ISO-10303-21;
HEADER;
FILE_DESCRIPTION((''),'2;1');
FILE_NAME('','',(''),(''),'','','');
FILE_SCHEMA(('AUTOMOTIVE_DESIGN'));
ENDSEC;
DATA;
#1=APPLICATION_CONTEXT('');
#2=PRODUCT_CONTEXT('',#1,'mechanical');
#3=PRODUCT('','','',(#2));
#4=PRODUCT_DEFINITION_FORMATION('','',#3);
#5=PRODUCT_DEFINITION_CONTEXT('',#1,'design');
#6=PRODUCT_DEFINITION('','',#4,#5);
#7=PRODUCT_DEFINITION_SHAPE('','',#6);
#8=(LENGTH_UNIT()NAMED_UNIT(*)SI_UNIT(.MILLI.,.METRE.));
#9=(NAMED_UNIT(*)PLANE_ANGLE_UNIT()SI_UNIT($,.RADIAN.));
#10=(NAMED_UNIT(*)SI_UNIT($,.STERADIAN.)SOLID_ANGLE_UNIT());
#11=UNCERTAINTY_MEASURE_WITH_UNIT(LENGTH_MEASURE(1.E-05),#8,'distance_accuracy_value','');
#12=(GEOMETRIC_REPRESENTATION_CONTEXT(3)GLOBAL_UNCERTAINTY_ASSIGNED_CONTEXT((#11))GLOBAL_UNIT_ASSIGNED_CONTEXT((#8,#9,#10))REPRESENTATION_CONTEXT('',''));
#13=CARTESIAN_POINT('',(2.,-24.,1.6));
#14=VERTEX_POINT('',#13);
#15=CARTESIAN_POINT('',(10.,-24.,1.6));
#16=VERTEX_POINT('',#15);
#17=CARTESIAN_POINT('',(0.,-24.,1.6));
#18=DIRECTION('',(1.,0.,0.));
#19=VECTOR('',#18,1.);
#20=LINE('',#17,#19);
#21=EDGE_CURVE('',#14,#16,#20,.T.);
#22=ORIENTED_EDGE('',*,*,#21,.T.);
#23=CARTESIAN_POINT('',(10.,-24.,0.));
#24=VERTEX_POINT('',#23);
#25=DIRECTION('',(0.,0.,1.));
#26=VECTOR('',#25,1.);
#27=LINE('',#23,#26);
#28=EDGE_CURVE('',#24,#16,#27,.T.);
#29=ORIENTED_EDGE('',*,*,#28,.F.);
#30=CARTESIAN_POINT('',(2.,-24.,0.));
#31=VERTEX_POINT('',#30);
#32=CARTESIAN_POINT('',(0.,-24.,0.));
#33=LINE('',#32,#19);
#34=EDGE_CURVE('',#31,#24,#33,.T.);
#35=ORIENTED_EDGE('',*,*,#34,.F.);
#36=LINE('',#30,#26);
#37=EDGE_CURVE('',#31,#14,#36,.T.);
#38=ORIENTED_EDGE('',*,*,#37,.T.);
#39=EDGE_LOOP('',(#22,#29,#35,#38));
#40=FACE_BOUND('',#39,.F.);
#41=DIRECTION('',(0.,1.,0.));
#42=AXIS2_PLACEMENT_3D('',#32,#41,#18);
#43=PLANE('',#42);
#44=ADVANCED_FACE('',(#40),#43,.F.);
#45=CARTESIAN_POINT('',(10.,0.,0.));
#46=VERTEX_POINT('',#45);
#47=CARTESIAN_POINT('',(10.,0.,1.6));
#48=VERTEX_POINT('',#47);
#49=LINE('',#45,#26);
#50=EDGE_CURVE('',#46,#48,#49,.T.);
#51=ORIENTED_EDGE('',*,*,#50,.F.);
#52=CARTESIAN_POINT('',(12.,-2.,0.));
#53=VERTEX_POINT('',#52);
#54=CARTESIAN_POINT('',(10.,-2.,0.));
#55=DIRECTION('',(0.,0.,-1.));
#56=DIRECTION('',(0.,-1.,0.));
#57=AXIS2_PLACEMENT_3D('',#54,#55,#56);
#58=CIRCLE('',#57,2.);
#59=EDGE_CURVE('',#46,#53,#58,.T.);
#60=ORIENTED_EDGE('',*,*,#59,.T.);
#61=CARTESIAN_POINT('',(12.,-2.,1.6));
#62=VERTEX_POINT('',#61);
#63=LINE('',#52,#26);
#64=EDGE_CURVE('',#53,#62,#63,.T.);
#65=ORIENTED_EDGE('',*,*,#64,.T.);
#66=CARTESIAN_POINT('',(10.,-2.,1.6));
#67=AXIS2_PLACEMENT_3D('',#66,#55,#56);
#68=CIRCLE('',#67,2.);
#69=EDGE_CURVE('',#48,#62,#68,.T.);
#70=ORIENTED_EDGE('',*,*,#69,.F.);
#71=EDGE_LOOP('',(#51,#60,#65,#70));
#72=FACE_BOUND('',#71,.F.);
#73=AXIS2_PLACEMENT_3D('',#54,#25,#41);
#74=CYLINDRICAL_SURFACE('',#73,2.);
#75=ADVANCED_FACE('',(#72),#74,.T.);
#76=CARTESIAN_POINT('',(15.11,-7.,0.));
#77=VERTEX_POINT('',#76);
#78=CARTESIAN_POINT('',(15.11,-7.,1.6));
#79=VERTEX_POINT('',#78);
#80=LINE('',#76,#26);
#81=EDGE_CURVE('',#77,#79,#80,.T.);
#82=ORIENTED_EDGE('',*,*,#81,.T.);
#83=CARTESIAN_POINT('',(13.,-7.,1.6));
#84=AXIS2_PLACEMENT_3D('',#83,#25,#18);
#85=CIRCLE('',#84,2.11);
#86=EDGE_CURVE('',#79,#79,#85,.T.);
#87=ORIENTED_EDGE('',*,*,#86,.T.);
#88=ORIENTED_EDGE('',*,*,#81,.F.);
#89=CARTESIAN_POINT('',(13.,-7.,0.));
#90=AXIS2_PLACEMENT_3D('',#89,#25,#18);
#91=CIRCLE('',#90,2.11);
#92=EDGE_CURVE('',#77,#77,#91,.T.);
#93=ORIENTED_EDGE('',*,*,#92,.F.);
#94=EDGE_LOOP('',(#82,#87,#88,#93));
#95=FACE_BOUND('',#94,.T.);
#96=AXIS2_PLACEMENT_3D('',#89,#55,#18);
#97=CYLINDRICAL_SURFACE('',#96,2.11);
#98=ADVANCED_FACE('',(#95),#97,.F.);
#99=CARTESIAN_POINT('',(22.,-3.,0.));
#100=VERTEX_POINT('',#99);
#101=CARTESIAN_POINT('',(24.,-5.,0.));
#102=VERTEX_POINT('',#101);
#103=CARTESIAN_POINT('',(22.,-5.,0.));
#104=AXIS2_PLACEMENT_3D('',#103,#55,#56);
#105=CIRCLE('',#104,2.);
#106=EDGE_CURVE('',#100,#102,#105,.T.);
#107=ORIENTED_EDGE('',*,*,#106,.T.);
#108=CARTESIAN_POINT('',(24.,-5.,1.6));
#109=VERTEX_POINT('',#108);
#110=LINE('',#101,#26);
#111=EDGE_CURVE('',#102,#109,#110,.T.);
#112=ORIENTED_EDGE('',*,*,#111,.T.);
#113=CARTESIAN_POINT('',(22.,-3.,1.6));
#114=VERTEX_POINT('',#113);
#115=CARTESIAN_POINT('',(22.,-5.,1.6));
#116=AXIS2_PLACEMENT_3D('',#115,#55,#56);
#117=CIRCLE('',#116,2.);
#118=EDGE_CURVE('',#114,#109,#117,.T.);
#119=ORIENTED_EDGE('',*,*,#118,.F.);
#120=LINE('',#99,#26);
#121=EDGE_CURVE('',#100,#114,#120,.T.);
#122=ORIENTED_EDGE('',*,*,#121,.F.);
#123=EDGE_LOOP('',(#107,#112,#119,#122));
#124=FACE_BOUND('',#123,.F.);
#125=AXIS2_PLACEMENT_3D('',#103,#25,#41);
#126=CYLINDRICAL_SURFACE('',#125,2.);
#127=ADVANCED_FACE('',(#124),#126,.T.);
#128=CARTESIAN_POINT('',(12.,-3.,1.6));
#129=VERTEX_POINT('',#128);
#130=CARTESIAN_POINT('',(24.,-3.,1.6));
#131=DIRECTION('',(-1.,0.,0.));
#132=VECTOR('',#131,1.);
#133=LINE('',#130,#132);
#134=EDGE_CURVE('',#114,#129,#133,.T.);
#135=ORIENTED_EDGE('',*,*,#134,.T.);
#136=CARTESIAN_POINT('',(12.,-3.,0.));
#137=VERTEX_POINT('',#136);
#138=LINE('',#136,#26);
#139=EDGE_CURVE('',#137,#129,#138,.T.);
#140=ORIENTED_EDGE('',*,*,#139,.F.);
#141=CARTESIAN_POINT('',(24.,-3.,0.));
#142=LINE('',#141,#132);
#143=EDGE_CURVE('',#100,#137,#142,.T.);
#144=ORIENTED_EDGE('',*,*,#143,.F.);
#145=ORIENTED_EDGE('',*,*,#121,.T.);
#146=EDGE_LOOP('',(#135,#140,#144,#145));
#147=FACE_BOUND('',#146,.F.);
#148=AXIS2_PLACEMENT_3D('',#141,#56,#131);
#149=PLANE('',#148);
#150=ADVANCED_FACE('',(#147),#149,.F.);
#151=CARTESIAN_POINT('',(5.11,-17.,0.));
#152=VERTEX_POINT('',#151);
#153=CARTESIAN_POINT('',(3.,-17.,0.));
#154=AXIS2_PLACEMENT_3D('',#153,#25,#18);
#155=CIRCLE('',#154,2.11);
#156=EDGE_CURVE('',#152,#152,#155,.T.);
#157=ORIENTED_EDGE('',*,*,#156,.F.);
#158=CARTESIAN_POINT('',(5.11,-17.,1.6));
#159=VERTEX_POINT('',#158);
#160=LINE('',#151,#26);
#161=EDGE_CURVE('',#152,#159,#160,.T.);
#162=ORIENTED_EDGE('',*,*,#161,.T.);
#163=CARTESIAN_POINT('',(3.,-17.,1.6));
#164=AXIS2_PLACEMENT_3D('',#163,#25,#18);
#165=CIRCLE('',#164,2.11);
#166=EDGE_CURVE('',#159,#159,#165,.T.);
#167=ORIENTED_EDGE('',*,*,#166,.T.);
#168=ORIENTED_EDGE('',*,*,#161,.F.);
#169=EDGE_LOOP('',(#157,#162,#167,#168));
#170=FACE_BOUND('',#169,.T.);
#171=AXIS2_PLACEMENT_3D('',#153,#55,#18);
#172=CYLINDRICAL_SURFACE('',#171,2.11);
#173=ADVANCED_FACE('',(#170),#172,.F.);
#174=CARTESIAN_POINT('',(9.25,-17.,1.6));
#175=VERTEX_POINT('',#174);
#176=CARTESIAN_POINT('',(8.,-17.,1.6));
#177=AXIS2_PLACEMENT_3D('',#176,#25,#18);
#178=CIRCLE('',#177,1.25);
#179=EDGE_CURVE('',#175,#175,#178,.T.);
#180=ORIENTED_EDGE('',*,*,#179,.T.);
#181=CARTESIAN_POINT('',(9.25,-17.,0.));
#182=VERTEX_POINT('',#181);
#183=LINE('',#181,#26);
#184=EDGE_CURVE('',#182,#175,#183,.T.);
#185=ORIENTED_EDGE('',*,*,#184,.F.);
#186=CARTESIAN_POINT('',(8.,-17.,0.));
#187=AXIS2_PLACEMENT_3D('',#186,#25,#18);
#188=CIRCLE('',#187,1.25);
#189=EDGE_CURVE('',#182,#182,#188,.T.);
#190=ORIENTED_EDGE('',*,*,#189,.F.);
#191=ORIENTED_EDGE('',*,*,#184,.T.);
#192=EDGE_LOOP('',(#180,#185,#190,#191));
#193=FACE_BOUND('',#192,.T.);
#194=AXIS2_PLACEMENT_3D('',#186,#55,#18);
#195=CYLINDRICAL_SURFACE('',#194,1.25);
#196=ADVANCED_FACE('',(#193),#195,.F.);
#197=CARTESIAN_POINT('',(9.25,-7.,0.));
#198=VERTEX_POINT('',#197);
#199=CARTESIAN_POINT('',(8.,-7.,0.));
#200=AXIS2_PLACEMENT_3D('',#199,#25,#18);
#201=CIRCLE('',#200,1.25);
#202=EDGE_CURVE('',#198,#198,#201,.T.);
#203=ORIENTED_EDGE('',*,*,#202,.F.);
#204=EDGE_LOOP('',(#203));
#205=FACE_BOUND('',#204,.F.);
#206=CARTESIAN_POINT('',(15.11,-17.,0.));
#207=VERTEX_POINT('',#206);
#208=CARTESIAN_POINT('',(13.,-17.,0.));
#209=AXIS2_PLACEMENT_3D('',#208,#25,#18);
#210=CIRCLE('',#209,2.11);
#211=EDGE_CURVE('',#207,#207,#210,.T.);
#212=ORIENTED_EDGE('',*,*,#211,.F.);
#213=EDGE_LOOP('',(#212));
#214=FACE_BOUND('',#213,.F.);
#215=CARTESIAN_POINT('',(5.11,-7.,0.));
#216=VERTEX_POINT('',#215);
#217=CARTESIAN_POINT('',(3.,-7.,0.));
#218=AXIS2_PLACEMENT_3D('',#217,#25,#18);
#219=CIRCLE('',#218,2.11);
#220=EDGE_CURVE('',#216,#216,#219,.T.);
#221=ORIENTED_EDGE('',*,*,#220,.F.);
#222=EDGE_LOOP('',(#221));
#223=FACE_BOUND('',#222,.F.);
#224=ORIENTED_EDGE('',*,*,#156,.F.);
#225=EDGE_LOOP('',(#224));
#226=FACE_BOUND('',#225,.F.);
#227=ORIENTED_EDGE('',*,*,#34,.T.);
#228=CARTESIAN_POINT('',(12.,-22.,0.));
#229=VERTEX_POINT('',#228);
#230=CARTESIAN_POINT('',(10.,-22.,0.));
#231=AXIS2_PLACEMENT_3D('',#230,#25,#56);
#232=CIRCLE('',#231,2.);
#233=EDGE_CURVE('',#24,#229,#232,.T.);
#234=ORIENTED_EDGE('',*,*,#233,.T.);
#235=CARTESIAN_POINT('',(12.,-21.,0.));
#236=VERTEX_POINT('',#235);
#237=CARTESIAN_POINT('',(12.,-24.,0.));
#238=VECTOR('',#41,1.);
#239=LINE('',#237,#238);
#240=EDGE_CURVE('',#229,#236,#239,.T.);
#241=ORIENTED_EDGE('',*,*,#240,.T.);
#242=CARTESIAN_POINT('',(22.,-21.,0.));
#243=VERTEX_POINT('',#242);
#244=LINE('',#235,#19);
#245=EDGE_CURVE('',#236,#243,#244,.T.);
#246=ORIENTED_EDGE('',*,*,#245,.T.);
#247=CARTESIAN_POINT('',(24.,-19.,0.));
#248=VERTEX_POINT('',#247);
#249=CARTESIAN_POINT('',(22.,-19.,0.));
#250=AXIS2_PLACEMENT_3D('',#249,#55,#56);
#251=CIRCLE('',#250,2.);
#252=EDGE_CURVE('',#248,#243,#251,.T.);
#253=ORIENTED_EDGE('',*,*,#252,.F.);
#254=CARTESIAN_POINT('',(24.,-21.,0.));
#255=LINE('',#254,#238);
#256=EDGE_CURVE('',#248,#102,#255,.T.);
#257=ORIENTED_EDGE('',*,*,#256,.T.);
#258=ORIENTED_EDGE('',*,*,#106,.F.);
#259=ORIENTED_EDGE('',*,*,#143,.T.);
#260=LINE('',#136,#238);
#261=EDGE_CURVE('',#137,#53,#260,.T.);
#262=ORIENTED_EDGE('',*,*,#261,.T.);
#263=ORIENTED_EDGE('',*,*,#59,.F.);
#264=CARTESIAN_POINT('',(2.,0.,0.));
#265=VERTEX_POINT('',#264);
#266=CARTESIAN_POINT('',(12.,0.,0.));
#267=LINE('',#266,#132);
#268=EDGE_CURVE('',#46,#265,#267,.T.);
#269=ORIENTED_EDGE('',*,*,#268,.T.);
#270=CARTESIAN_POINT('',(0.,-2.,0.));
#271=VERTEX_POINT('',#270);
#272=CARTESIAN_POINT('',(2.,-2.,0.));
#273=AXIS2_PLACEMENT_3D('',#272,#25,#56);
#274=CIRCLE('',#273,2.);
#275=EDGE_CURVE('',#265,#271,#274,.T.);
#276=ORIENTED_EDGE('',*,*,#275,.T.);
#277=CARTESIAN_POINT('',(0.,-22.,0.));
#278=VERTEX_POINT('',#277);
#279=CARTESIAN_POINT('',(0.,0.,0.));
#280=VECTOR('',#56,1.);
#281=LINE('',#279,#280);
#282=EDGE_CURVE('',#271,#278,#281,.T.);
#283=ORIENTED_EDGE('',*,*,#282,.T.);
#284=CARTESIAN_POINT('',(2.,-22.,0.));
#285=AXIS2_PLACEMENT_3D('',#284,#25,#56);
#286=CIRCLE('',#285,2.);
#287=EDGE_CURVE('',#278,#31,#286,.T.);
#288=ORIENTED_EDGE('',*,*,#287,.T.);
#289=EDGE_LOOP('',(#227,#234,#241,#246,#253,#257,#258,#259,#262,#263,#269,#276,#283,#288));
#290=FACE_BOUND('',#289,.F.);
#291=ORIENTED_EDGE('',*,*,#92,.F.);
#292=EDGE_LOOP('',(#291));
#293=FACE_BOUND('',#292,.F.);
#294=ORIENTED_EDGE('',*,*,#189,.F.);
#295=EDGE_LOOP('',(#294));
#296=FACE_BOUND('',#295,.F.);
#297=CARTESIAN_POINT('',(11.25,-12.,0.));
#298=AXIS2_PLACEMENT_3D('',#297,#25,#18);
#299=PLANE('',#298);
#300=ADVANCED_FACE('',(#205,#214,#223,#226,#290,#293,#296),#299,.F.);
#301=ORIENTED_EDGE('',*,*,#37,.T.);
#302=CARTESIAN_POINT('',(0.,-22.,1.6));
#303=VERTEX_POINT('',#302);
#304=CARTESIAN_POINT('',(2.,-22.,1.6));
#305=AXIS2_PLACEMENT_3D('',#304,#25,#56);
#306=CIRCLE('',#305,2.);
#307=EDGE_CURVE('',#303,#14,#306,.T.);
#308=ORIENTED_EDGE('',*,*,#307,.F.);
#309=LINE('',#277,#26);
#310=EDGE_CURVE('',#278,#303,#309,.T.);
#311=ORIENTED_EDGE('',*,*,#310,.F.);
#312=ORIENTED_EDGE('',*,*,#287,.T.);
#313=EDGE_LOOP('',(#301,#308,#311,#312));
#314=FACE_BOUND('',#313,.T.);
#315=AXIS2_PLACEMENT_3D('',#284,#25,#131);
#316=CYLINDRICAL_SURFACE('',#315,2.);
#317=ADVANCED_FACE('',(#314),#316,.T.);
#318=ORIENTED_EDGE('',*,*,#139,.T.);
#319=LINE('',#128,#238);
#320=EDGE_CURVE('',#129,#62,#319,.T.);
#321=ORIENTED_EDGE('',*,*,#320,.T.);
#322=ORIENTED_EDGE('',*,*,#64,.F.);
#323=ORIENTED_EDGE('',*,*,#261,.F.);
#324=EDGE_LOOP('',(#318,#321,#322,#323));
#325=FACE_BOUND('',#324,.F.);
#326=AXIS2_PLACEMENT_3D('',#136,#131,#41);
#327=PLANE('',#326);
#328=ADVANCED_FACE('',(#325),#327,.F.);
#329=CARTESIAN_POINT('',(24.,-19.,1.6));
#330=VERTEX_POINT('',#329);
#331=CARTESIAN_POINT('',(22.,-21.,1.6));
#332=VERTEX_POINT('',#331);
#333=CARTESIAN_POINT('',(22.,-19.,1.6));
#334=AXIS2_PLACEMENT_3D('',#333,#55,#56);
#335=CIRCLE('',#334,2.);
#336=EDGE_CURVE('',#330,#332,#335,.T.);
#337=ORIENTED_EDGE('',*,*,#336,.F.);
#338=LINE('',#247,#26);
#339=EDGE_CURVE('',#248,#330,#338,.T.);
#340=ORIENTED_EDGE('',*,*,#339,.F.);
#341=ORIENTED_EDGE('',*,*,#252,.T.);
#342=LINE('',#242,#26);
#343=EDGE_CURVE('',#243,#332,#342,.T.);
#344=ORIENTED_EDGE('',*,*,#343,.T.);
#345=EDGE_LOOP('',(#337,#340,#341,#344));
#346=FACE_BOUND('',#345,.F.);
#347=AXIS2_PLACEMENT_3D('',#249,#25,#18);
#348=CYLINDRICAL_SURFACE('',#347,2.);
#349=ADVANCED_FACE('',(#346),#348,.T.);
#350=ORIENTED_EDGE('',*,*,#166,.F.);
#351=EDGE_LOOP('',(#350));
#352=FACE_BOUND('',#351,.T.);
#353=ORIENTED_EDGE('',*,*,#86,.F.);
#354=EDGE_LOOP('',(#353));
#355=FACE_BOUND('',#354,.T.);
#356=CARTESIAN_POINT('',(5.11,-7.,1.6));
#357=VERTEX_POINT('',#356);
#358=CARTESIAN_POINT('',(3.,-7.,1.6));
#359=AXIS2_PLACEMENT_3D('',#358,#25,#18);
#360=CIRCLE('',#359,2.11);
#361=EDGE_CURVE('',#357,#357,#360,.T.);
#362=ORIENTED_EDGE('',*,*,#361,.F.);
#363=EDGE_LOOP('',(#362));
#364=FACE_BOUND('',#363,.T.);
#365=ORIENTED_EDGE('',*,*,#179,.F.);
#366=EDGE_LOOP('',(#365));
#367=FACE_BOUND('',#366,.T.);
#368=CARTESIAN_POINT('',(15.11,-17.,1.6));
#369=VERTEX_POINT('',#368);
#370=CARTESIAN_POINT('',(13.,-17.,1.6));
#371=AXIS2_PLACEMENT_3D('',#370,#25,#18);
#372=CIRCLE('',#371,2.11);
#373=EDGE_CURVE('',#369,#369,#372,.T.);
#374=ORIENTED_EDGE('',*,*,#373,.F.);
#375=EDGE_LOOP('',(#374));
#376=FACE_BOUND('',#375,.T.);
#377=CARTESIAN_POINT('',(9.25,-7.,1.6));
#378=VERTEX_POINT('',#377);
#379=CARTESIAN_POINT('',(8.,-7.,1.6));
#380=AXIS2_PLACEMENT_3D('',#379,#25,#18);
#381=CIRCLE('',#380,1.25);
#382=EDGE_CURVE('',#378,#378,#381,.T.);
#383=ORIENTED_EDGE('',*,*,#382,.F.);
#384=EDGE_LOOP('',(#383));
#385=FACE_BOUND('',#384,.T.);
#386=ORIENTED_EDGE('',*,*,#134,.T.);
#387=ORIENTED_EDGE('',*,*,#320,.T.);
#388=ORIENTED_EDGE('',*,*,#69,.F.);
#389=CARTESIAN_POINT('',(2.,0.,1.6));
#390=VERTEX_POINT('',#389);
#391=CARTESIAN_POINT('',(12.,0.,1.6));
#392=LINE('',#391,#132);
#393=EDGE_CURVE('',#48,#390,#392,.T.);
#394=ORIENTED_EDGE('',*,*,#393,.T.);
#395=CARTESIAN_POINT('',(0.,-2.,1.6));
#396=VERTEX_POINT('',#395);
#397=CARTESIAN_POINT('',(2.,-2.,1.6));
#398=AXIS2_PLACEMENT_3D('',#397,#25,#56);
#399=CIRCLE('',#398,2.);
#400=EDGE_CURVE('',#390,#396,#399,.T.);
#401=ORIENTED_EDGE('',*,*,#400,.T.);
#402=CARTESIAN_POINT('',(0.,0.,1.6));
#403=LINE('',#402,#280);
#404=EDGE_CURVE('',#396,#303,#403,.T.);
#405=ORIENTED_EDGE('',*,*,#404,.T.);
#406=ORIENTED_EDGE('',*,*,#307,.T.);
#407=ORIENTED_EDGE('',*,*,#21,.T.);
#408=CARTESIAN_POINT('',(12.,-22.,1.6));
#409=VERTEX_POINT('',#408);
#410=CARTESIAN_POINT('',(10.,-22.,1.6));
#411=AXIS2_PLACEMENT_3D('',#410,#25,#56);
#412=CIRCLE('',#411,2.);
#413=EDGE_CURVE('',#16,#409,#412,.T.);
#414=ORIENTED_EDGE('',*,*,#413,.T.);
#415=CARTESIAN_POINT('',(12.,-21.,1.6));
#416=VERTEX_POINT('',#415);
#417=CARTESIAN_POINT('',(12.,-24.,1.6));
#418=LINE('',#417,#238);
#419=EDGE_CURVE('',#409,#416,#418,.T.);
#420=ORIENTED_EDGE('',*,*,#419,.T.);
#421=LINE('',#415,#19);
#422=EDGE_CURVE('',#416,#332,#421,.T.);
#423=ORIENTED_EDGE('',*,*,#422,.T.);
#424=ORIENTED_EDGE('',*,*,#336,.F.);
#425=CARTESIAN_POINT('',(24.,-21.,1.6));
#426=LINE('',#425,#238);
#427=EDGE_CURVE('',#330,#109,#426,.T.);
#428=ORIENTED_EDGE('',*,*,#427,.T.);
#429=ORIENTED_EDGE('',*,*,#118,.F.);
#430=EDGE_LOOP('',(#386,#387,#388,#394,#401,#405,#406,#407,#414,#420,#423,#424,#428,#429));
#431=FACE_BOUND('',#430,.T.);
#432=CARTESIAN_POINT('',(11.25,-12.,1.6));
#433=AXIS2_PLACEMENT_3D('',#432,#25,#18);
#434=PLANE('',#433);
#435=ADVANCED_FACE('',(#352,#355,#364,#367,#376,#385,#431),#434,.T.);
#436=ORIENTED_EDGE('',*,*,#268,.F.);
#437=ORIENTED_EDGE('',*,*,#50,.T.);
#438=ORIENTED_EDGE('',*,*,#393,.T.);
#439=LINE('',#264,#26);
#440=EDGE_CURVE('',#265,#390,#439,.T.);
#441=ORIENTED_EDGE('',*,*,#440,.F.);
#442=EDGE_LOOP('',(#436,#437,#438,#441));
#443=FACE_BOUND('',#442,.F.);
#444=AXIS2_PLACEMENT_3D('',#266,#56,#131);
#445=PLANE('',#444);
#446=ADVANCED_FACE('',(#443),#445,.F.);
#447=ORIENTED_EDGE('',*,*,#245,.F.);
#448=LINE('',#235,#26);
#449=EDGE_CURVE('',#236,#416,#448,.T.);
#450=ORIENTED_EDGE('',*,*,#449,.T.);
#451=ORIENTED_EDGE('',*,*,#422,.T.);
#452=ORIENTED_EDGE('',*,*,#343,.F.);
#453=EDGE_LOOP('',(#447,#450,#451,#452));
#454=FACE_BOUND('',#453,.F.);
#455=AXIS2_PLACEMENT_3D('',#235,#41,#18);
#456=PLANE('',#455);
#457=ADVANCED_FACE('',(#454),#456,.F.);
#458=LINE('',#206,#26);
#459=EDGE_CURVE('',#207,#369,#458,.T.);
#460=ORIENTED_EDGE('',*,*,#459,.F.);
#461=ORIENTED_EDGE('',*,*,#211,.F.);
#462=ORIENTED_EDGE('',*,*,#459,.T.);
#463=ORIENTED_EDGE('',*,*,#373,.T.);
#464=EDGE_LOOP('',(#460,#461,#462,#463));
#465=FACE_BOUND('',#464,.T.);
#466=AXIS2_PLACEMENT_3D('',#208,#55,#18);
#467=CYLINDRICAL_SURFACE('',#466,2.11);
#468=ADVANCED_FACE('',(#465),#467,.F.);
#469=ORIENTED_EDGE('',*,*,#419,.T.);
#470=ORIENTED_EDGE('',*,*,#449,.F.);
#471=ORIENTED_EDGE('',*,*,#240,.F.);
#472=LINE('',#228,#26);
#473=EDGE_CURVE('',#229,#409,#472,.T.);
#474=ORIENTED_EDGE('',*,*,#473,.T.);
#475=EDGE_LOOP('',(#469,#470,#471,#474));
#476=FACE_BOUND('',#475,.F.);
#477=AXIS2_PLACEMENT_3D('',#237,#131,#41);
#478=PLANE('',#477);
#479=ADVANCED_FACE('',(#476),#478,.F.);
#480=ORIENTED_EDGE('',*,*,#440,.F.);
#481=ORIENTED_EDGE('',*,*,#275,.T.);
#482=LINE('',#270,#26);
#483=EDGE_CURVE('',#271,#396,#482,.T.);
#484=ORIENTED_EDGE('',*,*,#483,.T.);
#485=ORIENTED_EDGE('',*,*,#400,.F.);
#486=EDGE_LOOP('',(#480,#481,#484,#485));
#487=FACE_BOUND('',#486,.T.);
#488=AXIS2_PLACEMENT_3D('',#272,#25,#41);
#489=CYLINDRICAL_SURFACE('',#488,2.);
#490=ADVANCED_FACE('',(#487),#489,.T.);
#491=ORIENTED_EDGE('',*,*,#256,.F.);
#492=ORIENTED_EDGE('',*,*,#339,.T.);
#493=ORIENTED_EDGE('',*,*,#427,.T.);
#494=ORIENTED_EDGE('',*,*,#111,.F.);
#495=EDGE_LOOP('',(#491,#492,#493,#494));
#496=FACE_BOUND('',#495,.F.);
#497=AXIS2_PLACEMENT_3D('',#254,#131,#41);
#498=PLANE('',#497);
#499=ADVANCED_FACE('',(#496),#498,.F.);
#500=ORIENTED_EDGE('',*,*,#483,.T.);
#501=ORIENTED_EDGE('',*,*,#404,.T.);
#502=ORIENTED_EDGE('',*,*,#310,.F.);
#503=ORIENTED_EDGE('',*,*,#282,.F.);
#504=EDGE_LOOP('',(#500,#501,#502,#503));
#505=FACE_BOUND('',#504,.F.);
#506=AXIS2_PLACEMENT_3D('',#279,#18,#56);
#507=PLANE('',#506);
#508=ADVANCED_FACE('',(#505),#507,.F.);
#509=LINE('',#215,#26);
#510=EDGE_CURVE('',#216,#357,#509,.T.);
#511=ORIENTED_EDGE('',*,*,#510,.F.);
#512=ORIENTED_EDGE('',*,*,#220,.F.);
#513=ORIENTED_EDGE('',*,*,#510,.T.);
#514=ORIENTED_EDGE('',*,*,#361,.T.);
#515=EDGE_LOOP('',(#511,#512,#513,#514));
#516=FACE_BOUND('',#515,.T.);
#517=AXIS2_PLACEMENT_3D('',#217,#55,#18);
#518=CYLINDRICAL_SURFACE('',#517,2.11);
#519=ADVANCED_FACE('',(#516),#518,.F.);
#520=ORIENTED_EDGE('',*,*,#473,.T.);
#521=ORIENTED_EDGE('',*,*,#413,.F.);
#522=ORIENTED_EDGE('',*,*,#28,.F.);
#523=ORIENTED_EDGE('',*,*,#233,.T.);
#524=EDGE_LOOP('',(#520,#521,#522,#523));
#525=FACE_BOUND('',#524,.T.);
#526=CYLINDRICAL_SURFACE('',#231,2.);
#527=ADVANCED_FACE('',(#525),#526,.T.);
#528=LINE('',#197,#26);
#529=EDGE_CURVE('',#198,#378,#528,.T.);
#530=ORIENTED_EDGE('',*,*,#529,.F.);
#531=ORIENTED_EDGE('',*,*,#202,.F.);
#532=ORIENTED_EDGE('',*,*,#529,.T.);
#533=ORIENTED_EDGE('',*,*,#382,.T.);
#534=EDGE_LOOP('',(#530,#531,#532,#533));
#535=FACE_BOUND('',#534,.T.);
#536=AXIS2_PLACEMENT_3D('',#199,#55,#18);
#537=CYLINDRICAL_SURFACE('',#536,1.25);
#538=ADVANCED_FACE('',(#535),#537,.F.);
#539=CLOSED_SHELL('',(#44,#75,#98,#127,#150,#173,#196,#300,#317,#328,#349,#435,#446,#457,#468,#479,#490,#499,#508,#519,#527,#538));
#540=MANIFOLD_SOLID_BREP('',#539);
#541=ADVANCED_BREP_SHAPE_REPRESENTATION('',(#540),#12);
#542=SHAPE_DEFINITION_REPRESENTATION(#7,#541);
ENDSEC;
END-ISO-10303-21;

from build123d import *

# Parameters (mm, degrees)
SKETCH_1_R      = 2.11
SKETCH_1_R_2    = 1.25
EXTRUDE_1_DEPTH = 1.6
FILLET_1_R      = 2


with BuildPart() as part:
    # 草图1 → 凸台-拉伸1 (new body)
    with BuildSketch(Plane.XY):
        Polygon((12, 0), (0, 0), (0, -24), (12, -24), (12, -21), (24, -21), (24, -3), (12, -3), align=None)
        with Locations((13, -7)):
            Circle(SKETCH_1_R, mode=Mode.SUBTRACT)
        with Locations((13, -17)):
            Circle(SKETCH_1_R, mode=Mode.SUBTRACT)
        with Locations((3, -17)):
            Circle(SKETCH_1_R, mode=Mode.SUBTRACT)
        with Locations((8, -17)):
            Circle(SKETCH_1_R_2, mode=Mode.SUBTRACT)
        with Locations((3, -7)):
            Circle(SKETCH_1_R, mode=Mode.SUBTRACT)
        with Locations((8, -7)):
            Circle(SKETCH_1_R_2, mode=Mode.SUBTRACT)
    extrude(amount=EXTRUDE_1_DEPTH)

    # 圆角1
    fillet_1_edges = [part.edges().sort_by_distance(p)[0] for p in [
        (12, -24, 0.8),
        (0, -24, 0.8),
        (0, 0, 0.8),
        (12, 0, 0.8),
        (24, -3, 0.8),
        (24, -21, 0.8),
    ]]
    fillet(fillet_1_edges, radius=FILLET_1_R)


solid = part.part
